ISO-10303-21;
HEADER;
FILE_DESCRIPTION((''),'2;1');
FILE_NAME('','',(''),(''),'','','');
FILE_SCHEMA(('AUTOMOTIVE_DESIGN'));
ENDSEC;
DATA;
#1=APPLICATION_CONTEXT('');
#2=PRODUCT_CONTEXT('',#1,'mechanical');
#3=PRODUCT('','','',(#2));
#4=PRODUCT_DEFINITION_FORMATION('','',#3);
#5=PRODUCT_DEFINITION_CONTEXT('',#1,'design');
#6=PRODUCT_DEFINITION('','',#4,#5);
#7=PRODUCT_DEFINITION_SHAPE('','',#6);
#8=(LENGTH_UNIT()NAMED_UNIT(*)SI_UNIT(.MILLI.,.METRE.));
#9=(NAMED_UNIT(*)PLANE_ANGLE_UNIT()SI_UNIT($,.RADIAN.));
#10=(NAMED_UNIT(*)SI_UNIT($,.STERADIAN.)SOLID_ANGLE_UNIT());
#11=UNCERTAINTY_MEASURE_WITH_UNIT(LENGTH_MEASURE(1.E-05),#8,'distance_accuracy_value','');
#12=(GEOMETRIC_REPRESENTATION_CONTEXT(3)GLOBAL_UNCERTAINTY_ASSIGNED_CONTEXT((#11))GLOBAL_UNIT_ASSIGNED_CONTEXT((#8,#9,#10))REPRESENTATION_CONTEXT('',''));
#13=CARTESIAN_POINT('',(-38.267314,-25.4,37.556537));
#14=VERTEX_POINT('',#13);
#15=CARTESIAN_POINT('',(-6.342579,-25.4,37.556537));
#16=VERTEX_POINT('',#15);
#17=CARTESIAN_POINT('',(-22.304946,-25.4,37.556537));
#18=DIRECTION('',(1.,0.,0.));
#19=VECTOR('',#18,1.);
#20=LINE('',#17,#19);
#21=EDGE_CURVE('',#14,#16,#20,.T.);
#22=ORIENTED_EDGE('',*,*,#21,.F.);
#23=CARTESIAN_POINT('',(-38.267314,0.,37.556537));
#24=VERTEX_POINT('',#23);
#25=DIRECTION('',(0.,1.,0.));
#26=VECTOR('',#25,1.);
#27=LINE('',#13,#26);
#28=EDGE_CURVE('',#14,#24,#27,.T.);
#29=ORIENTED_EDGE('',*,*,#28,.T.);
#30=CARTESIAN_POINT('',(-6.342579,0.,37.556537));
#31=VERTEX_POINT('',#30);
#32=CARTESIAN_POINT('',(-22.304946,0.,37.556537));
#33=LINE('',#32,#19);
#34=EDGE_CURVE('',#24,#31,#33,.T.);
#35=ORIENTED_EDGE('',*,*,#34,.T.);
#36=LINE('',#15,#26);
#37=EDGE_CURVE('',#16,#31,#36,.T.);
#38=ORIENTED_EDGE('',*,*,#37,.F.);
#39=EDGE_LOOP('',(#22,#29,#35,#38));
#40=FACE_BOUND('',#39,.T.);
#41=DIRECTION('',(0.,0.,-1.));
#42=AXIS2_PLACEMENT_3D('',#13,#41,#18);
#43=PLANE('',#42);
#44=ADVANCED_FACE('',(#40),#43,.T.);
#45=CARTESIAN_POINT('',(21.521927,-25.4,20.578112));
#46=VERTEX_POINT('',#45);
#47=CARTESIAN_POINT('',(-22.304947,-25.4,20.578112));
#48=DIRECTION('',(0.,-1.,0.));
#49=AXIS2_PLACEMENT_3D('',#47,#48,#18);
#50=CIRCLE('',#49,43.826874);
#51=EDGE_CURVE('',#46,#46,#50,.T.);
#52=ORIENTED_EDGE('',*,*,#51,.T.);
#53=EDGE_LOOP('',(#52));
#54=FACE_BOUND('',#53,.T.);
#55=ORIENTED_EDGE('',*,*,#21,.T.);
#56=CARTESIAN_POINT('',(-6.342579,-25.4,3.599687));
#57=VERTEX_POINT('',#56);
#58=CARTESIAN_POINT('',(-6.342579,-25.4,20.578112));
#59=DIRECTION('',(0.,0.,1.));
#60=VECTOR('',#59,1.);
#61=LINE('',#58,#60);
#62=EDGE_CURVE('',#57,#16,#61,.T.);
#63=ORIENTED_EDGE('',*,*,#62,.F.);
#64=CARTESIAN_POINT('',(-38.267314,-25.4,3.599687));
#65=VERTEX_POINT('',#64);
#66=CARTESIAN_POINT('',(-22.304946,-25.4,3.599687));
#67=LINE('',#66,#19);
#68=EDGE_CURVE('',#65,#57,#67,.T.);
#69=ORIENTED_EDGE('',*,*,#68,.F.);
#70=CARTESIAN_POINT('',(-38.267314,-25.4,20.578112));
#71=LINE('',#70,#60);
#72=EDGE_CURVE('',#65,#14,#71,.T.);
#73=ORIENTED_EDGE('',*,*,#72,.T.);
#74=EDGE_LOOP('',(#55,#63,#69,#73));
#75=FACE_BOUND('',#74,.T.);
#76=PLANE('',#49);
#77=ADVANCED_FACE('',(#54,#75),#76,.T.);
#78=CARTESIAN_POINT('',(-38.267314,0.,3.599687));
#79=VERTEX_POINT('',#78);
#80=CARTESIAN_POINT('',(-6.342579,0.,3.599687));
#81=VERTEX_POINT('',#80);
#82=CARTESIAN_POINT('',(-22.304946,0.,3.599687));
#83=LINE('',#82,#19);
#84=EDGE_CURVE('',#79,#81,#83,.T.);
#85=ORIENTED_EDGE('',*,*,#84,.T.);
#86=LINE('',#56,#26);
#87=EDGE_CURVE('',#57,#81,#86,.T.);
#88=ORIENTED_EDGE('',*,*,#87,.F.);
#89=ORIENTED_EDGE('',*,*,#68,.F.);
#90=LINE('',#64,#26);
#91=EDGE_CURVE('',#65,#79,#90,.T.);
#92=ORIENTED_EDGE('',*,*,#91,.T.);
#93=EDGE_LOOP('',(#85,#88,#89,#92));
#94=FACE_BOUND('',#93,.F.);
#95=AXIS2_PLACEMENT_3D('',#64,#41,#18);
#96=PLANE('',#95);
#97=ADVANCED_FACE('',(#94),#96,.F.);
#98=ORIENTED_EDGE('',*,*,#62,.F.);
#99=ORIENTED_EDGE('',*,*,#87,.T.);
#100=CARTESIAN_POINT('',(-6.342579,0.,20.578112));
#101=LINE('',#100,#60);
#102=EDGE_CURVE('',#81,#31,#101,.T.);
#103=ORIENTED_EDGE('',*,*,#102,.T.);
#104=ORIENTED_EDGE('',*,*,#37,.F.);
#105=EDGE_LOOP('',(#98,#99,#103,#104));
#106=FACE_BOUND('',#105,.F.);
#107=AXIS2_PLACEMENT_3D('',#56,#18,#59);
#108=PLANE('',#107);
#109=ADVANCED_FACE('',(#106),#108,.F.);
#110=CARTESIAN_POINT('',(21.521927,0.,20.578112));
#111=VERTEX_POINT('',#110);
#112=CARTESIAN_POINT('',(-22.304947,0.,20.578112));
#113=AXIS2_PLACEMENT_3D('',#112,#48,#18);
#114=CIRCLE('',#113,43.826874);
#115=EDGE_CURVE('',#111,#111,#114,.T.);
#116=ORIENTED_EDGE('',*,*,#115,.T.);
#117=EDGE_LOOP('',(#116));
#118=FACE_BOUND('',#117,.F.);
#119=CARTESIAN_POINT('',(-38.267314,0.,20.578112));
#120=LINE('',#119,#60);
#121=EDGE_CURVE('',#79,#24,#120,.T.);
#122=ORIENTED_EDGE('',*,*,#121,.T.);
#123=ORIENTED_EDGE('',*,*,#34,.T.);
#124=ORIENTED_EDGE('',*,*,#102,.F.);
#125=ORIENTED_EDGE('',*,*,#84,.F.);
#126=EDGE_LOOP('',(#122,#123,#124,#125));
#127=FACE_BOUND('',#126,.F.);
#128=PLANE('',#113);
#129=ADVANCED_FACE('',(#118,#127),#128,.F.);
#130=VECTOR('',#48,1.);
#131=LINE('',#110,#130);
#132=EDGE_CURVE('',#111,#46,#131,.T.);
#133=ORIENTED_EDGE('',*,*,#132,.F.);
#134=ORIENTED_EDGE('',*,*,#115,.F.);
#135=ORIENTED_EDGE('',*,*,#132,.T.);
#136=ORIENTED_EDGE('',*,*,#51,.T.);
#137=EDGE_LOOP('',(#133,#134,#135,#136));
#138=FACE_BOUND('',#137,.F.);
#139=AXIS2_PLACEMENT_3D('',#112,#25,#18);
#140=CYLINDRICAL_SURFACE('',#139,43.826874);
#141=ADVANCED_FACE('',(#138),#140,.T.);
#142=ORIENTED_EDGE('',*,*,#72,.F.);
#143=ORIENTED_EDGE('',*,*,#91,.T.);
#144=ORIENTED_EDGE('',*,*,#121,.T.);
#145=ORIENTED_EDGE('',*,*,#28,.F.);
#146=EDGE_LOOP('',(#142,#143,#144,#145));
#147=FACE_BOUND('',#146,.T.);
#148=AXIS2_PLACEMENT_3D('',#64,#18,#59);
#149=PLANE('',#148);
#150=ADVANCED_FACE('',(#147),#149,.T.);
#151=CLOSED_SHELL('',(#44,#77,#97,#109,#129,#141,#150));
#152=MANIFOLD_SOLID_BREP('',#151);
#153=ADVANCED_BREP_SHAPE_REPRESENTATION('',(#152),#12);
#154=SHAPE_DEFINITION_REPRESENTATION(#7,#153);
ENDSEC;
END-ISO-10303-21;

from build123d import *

# Parameters (mm, degrees)
F0_R     = 43.826874
F1_DEPTH = 25.4
F2_W     = 31.924735
F2_H     = 33.95685
F3_DEPTH = 25.4


with BuildPart() as f1:
    # F0 (on Front) → F1 (new body)
    with BuildSketch(Plane.XZ):
        with Locations((-22.304947, 20.578112)):
            Circle(F0_R)
    extrude(amount=F1_DEPTH)

    # F2 (on face) → F3 (cut)
    with BuildSketch(Plane.XZ.offset(25.4)):
        with Locations((-22.304946, 20.578112)):
            Rectangle(F2_W, F2_H)
    extrude(amount=-F3_DEPTH, mode=Mode.SUBTRACT)


solid = f1.part
